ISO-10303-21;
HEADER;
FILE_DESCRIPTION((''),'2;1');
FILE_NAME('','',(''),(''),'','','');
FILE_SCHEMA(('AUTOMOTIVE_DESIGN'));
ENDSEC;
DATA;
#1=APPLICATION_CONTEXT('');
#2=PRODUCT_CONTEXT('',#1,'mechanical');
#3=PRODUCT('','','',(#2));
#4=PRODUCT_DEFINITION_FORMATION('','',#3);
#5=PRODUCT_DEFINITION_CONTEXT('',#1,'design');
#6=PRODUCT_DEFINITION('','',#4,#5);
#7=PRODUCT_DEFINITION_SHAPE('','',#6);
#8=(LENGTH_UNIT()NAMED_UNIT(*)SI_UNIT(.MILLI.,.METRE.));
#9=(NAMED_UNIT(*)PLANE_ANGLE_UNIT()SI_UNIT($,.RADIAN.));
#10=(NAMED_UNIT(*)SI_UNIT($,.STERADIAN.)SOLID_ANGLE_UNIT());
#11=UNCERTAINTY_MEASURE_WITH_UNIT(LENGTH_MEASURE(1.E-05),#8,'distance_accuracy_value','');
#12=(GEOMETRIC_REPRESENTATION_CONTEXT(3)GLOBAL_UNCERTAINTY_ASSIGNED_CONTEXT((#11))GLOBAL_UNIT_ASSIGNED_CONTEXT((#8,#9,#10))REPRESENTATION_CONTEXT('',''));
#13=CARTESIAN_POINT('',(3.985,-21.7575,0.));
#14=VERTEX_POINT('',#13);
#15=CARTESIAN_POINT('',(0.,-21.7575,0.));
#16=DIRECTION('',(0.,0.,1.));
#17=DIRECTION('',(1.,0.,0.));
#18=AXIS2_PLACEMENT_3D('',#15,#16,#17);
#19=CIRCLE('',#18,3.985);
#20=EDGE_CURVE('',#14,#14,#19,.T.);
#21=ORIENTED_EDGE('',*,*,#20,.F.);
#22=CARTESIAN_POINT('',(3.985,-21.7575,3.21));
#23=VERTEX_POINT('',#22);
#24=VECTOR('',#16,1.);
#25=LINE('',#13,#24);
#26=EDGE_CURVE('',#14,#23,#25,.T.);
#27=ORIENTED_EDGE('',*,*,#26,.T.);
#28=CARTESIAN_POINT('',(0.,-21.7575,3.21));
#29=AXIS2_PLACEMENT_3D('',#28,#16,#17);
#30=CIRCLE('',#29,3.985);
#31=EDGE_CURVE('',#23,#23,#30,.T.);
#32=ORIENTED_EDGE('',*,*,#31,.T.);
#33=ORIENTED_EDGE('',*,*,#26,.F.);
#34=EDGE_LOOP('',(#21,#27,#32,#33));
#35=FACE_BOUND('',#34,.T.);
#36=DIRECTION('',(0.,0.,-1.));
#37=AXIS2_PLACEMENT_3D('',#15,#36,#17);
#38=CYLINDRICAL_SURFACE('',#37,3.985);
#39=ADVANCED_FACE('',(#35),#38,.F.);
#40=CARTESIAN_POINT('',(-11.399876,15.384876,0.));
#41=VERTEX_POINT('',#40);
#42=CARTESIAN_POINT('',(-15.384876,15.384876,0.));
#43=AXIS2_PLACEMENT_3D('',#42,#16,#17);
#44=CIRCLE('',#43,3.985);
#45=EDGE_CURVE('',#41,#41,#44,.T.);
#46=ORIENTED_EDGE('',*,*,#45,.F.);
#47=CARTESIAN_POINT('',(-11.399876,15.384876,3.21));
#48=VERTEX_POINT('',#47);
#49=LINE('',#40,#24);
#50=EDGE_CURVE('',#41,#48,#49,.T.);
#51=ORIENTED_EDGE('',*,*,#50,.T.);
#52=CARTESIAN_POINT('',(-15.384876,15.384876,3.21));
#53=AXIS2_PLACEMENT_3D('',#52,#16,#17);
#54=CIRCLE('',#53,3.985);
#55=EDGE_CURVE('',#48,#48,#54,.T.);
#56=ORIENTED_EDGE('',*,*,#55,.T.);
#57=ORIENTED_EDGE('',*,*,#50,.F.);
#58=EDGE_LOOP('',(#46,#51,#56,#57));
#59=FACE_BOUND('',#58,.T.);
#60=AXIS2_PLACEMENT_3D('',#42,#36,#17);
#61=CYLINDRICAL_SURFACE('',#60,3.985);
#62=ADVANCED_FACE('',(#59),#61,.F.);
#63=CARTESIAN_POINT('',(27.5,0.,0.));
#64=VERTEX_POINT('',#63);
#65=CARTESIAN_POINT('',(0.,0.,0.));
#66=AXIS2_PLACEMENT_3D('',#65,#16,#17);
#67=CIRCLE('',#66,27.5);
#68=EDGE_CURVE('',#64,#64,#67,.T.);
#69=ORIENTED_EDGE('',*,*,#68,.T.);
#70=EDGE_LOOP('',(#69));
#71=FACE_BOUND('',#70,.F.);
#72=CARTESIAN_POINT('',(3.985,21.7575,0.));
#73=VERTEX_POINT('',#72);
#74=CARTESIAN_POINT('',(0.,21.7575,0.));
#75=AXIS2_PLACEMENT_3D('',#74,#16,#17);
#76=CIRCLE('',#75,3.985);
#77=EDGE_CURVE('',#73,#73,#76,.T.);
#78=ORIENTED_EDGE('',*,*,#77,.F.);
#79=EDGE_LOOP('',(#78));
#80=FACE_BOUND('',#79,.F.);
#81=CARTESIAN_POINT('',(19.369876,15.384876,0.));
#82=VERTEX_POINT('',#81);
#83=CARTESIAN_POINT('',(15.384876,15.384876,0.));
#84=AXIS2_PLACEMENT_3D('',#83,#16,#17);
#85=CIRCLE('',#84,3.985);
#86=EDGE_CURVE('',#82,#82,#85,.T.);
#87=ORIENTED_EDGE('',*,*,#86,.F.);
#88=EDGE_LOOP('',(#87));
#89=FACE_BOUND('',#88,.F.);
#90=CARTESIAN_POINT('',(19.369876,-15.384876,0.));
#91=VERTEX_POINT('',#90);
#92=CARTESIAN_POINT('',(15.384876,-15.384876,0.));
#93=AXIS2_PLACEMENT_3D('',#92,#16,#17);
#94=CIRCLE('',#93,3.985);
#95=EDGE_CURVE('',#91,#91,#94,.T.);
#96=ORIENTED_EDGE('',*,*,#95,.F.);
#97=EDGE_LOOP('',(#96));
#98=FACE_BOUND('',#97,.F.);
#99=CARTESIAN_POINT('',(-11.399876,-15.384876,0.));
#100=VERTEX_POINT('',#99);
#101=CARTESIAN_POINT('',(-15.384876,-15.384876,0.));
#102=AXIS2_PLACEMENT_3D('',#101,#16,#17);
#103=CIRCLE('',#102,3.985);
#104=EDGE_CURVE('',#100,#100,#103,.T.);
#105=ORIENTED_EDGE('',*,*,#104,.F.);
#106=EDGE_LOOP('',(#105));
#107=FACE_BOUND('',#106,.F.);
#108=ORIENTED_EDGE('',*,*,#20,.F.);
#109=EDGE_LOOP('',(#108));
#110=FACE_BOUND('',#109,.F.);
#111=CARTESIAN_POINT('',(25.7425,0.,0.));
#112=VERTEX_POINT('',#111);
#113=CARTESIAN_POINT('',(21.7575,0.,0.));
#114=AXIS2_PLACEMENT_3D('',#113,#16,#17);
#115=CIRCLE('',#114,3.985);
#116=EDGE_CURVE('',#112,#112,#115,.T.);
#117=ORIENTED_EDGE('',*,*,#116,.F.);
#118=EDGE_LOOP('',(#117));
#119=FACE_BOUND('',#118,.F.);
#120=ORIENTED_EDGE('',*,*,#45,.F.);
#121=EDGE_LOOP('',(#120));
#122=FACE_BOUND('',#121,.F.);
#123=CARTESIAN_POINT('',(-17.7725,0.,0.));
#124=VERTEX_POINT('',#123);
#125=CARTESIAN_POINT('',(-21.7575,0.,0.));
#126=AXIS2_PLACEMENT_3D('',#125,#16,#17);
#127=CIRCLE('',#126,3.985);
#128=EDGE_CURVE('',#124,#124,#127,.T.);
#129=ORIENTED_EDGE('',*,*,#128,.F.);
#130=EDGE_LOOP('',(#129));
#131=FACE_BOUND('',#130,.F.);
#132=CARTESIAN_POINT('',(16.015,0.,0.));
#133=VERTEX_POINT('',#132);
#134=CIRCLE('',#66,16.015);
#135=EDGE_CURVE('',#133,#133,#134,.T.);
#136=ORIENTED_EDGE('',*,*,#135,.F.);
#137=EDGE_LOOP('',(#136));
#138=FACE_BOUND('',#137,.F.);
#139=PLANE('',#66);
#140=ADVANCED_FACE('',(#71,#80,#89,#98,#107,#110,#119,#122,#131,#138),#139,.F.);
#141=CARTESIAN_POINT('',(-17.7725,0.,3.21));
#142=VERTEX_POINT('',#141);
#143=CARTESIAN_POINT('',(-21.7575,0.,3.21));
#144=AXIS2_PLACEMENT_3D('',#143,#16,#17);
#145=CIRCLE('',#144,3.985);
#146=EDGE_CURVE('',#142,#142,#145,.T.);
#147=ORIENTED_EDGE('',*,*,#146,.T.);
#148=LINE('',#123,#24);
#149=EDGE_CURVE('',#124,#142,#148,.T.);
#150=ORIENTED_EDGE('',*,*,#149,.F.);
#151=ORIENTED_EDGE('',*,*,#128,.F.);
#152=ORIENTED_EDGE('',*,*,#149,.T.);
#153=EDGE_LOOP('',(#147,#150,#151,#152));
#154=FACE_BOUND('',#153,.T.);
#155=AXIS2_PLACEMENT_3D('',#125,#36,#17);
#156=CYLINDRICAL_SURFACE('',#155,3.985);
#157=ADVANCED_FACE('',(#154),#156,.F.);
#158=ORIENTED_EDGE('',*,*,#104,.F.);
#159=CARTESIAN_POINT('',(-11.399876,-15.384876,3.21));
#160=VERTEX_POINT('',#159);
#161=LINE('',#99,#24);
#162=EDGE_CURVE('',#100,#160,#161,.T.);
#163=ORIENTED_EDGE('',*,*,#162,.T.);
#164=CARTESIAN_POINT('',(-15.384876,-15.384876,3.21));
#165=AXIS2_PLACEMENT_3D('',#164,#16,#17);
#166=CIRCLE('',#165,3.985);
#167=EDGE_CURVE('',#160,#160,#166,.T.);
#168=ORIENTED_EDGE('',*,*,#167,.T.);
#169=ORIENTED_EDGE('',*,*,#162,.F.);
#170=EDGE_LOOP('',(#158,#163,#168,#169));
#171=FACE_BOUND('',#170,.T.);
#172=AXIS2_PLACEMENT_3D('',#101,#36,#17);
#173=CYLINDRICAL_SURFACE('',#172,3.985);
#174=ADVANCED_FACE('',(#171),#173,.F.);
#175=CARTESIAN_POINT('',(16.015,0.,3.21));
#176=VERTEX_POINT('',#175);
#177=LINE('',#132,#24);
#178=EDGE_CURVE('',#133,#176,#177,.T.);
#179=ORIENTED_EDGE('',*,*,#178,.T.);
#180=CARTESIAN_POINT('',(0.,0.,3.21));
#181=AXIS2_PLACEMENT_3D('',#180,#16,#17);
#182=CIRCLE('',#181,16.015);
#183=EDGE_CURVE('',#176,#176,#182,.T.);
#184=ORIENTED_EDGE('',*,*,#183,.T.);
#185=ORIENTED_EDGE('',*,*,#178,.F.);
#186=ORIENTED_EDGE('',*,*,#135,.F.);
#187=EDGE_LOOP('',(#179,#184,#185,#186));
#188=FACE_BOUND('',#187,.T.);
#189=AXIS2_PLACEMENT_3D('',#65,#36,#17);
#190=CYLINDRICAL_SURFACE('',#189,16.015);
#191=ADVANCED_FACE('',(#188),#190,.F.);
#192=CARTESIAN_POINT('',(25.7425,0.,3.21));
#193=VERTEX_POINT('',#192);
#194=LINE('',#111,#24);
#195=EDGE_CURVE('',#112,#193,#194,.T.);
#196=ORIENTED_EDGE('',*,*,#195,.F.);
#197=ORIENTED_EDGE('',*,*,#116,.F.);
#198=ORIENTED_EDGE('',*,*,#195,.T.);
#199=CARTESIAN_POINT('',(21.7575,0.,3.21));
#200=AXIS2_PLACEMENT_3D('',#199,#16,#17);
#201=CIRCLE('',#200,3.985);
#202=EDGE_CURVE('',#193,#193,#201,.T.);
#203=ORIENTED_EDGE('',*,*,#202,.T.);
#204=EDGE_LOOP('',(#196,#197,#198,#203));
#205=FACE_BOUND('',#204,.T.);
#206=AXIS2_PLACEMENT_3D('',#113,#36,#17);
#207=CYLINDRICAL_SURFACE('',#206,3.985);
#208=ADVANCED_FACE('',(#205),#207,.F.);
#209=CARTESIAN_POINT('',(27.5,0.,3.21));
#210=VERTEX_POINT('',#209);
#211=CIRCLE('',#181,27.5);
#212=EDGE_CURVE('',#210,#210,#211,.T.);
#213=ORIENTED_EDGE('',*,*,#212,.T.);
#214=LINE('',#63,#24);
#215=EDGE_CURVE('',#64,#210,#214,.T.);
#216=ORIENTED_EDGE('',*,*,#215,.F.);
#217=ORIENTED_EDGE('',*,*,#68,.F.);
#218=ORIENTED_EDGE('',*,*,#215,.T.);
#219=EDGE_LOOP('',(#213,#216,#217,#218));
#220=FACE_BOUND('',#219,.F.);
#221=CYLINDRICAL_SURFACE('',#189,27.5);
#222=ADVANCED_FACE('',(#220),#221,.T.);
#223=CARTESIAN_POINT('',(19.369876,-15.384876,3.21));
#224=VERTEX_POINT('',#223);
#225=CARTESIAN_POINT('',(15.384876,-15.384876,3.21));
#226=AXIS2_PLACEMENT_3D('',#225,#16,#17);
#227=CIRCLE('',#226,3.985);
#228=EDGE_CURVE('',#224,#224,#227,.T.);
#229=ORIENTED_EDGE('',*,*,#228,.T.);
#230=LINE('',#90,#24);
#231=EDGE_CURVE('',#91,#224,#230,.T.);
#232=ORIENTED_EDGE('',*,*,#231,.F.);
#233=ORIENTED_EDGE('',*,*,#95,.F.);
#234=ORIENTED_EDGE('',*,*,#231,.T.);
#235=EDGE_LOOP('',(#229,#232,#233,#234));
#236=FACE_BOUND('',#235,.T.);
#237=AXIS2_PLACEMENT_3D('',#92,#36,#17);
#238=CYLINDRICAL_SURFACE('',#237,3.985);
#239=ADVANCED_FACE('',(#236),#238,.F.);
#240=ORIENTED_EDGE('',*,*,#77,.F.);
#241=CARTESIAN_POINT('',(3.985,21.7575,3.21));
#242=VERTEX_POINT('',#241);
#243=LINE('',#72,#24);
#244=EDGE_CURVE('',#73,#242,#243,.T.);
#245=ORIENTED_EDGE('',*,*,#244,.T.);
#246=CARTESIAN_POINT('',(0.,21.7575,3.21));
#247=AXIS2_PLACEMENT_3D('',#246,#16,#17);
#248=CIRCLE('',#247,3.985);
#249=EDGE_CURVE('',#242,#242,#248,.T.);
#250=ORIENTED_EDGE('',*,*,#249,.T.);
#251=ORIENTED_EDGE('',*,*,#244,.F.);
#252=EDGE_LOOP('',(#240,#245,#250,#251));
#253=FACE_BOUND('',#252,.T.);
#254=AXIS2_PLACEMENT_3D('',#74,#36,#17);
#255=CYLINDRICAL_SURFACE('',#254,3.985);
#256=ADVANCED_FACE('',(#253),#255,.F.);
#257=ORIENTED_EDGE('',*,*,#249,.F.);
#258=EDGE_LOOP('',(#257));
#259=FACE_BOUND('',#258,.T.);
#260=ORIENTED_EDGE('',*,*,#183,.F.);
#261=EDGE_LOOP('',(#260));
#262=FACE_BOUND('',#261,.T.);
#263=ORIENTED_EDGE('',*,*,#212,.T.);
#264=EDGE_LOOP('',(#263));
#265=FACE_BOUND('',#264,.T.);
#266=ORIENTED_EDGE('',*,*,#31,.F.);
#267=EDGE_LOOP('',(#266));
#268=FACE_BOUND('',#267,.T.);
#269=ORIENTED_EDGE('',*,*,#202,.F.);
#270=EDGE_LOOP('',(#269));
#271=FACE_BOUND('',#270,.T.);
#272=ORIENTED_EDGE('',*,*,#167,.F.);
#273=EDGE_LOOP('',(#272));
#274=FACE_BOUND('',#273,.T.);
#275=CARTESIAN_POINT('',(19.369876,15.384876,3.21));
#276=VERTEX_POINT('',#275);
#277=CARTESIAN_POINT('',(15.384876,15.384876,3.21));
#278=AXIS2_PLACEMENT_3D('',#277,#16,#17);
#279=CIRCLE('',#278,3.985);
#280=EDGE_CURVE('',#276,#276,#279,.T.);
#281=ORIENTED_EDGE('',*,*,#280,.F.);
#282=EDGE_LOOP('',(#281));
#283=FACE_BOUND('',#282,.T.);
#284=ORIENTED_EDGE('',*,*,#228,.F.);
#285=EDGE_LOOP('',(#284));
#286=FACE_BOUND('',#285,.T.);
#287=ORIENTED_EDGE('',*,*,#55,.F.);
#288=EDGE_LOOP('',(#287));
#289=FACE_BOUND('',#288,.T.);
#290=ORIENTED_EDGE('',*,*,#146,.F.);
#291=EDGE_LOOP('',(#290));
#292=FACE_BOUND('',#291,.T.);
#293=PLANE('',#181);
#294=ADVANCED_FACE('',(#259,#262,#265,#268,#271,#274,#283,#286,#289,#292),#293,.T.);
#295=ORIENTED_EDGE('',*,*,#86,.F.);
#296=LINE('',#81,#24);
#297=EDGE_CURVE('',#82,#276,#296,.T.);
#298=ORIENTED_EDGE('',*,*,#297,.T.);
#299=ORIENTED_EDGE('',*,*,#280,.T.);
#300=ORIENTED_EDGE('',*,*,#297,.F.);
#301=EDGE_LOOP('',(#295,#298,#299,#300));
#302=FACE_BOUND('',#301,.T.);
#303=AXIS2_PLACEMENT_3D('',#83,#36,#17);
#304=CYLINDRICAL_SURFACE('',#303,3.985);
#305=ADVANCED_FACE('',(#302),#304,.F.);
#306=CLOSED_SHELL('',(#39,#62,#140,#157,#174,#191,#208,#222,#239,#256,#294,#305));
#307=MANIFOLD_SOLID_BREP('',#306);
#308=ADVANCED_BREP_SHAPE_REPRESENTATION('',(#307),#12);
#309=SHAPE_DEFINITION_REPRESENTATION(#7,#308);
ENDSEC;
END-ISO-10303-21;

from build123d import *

# Parameters (mm, degrees)
F0_R     = 27.5
F0_R_2   = 3.985
F0_R_3   = 16.015
F1_DEPTH = 3.21


with BuildPart() as f1:
    # F0 (on Top) → F1 (new body)
    with BuildSketch(Plane.XY):
        Circle(F0_R)
        with Locations((-15.384876, -15.384876)):
            Circle(F0_R_2, mode=Mode.SUBTRACT)
        with Locations((0, -21.7575)):
            Circle(F0_R_2, mode=Mode.SUBTRACT)
        with Locations((15.384876, -15.384876)):
            Circle(F0_R_2, mode=Mode.SUBTRACT)
        with Locations((-21.7575, 0)):
            Circle(F0_R_2, mode=Mode.SUBTRACT)
        with Locations((-15.384876, 15.384876)):
            Circle(F0_R_2, mode=Mode.SUBTRACT)
        Circle(F0_R_3, mode=Mode.SUBTRACT)
        with Locations((21.7575, 0)):
            Circle(F0_R_2, mode=Mode.SUBTRACT)
        with Locations((0, 21.7575)):
            Circle(F0_R_2, mode=Mode.SUBTRACT)
        with Locations((15.384876, 15.384876)):
            Circle(F0_R_2, mode=Mode.SUBTRACT)
    extrude(amount=F1_DEPTH)


solid = f1.part
